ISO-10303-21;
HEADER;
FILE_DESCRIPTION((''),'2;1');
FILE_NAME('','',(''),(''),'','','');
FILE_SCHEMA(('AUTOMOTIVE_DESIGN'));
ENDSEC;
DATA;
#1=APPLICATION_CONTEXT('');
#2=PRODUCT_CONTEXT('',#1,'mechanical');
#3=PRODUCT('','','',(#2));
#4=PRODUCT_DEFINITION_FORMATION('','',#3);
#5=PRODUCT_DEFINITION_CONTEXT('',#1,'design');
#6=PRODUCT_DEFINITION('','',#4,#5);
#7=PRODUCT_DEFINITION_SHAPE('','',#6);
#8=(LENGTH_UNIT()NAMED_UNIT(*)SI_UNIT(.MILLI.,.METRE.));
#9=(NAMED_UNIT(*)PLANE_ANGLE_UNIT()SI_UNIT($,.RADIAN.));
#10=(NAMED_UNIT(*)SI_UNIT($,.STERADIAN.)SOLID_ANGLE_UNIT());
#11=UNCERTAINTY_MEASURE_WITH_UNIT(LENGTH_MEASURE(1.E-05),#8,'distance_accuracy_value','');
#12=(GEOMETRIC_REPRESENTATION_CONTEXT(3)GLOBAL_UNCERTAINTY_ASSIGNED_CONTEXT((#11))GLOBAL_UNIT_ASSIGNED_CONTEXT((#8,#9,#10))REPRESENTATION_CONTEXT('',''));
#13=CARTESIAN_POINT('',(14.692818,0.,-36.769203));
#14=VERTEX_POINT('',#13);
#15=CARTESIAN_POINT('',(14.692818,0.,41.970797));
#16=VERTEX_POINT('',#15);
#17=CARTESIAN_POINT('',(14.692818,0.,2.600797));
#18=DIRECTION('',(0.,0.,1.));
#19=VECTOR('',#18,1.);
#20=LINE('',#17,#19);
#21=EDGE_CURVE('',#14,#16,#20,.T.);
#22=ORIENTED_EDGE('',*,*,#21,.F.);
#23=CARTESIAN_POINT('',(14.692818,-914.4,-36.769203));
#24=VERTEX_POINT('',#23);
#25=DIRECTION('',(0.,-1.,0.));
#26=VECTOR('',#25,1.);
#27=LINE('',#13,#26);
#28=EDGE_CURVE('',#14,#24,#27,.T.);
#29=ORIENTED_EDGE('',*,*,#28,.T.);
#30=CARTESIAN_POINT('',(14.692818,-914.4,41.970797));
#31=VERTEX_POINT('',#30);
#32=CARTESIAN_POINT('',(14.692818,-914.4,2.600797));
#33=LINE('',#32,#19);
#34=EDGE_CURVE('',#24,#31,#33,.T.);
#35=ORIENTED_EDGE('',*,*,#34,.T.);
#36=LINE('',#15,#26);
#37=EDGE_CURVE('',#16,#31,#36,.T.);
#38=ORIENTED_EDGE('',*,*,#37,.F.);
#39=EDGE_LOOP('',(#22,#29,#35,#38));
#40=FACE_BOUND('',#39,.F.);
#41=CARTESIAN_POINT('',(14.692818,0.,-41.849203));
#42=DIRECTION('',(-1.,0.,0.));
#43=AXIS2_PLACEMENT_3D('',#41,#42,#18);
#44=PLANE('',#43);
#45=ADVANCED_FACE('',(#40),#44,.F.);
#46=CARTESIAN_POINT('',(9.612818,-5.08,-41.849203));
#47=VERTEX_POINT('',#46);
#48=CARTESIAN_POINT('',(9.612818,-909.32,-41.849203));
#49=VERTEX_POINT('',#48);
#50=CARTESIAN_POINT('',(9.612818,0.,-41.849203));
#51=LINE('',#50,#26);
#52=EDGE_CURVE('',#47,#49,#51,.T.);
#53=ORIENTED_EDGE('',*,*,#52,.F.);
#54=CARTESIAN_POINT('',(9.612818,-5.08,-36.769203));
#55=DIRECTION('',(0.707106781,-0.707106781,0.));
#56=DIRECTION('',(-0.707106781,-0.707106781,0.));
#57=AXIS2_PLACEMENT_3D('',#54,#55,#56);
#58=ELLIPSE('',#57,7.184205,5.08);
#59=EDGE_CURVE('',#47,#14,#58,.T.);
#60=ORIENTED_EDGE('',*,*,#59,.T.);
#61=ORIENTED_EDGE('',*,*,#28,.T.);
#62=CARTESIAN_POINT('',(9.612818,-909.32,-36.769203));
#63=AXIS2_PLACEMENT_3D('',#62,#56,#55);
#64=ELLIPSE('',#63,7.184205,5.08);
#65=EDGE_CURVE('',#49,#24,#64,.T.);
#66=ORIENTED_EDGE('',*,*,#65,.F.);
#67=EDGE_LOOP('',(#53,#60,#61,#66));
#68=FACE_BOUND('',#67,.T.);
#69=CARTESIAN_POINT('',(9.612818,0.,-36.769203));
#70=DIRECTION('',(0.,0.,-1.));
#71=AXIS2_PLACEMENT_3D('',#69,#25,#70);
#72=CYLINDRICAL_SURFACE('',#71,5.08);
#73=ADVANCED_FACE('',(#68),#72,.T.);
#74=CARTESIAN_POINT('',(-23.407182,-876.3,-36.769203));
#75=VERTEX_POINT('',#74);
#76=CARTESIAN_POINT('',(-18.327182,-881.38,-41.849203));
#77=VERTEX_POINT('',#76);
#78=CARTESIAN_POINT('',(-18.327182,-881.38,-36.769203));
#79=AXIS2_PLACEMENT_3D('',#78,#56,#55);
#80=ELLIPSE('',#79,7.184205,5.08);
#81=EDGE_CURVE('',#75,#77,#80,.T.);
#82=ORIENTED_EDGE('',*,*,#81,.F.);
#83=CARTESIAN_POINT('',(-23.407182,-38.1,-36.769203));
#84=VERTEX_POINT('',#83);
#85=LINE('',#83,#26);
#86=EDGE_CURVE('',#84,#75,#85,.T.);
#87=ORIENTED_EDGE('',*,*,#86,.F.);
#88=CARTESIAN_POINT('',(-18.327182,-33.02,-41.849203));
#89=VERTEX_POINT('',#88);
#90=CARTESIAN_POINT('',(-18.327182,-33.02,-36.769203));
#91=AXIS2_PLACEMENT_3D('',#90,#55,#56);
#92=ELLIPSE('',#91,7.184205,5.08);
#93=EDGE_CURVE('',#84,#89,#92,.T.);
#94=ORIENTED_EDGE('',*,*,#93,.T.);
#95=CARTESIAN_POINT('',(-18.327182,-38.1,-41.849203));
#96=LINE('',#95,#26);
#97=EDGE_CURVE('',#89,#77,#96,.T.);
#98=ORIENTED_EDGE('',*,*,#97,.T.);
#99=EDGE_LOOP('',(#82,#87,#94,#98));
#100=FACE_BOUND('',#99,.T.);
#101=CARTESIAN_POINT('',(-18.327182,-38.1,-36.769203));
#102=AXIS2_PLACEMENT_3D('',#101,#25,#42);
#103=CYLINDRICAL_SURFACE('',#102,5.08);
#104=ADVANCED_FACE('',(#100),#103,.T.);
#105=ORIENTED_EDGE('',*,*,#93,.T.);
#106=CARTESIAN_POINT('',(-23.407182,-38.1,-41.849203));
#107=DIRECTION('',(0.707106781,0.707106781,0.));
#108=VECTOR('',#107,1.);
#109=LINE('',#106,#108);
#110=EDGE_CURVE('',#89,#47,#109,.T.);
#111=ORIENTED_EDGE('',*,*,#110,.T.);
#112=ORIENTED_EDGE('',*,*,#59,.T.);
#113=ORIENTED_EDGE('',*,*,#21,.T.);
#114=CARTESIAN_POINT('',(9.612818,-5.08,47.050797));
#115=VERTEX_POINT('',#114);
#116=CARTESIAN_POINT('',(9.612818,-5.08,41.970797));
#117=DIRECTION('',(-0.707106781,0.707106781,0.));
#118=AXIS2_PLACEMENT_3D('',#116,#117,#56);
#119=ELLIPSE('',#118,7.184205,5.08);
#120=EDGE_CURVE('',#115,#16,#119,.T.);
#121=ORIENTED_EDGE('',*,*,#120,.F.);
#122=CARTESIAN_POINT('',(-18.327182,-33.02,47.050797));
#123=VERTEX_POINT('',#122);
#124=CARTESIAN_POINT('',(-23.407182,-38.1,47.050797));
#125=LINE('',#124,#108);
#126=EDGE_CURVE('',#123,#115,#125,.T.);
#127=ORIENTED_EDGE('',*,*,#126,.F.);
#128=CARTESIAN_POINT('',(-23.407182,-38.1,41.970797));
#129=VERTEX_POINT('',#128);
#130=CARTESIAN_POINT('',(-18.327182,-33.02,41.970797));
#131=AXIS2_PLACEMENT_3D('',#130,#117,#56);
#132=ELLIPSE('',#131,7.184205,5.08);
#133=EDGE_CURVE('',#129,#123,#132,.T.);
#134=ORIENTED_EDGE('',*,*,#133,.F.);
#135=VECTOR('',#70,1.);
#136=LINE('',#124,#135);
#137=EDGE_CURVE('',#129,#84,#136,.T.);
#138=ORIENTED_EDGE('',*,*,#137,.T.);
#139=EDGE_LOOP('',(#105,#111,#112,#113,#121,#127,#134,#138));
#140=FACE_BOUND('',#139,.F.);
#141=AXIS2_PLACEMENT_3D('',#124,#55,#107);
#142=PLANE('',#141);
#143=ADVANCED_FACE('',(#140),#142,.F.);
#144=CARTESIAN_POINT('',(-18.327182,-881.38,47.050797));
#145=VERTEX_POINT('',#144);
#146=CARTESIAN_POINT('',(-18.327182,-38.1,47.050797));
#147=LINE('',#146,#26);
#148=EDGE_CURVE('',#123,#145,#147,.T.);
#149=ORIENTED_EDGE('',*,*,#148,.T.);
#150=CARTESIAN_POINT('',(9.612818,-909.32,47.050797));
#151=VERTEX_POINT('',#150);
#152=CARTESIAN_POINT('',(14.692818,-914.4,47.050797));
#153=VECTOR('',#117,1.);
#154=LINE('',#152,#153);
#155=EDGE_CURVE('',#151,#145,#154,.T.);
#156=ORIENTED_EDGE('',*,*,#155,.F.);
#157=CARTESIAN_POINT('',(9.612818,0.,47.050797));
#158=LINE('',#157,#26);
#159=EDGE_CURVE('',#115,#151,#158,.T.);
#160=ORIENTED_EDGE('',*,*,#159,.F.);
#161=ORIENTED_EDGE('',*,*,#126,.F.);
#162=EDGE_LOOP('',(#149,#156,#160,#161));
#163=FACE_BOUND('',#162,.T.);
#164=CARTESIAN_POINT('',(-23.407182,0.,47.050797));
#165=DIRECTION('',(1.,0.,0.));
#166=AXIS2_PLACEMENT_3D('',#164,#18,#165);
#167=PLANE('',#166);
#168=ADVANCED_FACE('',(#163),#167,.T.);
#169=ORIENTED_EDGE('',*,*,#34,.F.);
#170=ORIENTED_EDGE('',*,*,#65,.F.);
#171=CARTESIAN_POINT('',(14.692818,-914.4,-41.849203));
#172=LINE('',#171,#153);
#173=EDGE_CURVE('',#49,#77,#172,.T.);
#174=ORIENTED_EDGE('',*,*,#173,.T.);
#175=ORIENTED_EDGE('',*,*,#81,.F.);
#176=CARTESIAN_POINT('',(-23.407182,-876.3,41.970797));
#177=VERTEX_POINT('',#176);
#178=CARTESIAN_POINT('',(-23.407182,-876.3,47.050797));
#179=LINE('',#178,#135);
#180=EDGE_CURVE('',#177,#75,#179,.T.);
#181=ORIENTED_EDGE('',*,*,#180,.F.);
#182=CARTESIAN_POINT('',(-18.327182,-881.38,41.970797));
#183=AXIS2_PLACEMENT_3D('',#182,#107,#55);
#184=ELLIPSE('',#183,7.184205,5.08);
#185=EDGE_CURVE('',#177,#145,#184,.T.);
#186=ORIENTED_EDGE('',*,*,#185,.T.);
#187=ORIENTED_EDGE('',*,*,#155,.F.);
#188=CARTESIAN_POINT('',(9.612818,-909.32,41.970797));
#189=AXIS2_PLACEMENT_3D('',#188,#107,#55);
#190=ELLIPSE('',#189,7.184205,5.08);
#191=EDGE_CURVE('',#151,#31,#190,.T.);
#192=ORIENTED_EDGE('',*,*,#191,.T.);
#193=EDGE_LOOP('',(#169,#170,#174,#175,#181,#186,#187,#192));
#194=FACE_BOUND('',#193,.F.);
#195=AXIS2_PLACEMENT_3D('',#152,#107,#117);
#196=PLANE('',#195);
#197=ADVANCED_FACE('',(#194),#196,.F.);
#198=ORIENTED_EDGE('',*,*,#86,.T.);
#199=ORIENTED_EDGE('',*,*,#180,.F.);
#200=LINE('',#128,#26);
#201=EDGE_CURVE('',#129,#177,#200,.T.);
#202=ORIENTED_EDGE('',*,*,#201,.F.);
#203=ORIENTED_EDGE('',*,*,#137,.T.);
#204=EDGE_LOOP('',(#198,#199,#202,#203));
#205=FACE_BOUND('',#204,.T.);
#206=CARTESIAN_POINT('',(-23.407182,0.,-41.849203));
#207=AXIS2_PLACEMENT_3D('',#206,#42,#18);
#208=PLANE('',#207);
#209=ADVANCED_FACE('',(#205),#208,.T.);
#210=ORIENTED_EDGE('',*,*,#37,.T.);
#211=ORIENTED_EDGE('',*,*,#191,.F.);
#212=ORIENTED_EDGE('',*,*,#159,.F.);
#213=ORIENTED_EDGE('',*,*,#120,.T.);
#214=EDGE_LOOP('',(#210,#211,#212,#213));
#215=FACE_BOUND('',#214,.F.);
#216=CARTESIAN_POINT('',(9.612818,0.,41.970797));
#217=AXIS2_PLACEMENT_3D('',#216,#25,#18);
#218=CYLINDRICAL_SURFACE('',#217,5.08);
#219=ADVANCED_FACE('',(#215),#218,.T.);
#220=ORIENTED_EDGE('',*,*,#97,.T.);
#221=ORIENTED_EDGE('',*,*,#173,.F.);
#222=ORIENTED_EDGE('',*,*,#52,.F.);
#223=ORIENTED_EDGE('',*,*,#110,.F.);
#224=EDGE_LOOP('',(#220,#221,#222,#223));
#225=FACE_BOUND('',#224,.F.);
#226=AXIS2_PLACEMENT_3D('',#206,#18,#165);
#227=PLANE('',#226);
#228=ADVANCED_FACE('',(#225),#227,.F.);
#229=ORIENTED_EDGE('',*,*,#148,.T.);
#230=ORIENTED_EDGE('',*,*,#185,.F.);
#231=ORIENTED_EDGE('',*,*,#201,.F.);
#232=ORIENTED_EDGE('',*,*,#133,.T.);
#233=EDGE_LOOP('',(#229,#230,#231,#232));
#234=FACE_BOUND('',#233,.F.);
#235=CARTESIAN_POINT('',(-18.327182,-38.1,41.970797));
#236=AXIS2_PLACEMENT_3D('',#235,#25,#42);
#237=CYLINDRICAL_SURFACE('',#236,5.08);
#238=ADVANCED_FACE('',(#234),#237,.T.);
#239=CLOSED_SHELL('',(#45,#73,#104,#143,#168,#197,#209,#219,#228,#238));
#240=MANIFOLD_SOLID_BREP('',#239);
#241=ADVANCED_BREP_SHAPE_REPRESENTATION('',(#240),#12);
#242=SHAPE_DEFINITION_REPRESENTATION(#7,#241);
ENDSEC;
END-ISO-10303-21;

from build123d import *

# Parameters (mm, degrees)
F0_W     = 38.1
F0_H     = 88.9
F1_DEPTH = 914.4
F3_DEPTH = 88.9
F4_R     = 5.08


with BuildPart() as f1:
    # F0 (on Front) → F1 (new body)
    with BuildSketch(Plane.XZ):
        with Locations((-4.357182, 2.600797)):
            Rectangle(F0_W, F0_H)
    extrude(amount=F1_DEPTH)

    # F2 (on face) → F3 (cut)
    with BuildSketch(Plane.XY.offset(47.050797)):
        Polygon((-23.407182, -914.4), (14.692818, -914.4), (-23.407182, -876.3), align=None)
        Polygon((-23.407182, -38.1), (14.692818, 0), (-23.407182, 0), align=None)
    extrude(amount=-F3_DEPTH, mode=Mode.SUBTRACT)

    # F4
    f4_edges = [f1.edges().sort_by_distance(p)[0] for p in [
        (-23.407182, -457.2, 47.050797),
        (14.692818, -457.2, 47.050797),
        (-23.407182, -457.2, -41.849203),
        (14.692818, -457.2, -41.849203),
    ]]
    fillet(f4_edges, radius=F4_R)


solid = f1.part
